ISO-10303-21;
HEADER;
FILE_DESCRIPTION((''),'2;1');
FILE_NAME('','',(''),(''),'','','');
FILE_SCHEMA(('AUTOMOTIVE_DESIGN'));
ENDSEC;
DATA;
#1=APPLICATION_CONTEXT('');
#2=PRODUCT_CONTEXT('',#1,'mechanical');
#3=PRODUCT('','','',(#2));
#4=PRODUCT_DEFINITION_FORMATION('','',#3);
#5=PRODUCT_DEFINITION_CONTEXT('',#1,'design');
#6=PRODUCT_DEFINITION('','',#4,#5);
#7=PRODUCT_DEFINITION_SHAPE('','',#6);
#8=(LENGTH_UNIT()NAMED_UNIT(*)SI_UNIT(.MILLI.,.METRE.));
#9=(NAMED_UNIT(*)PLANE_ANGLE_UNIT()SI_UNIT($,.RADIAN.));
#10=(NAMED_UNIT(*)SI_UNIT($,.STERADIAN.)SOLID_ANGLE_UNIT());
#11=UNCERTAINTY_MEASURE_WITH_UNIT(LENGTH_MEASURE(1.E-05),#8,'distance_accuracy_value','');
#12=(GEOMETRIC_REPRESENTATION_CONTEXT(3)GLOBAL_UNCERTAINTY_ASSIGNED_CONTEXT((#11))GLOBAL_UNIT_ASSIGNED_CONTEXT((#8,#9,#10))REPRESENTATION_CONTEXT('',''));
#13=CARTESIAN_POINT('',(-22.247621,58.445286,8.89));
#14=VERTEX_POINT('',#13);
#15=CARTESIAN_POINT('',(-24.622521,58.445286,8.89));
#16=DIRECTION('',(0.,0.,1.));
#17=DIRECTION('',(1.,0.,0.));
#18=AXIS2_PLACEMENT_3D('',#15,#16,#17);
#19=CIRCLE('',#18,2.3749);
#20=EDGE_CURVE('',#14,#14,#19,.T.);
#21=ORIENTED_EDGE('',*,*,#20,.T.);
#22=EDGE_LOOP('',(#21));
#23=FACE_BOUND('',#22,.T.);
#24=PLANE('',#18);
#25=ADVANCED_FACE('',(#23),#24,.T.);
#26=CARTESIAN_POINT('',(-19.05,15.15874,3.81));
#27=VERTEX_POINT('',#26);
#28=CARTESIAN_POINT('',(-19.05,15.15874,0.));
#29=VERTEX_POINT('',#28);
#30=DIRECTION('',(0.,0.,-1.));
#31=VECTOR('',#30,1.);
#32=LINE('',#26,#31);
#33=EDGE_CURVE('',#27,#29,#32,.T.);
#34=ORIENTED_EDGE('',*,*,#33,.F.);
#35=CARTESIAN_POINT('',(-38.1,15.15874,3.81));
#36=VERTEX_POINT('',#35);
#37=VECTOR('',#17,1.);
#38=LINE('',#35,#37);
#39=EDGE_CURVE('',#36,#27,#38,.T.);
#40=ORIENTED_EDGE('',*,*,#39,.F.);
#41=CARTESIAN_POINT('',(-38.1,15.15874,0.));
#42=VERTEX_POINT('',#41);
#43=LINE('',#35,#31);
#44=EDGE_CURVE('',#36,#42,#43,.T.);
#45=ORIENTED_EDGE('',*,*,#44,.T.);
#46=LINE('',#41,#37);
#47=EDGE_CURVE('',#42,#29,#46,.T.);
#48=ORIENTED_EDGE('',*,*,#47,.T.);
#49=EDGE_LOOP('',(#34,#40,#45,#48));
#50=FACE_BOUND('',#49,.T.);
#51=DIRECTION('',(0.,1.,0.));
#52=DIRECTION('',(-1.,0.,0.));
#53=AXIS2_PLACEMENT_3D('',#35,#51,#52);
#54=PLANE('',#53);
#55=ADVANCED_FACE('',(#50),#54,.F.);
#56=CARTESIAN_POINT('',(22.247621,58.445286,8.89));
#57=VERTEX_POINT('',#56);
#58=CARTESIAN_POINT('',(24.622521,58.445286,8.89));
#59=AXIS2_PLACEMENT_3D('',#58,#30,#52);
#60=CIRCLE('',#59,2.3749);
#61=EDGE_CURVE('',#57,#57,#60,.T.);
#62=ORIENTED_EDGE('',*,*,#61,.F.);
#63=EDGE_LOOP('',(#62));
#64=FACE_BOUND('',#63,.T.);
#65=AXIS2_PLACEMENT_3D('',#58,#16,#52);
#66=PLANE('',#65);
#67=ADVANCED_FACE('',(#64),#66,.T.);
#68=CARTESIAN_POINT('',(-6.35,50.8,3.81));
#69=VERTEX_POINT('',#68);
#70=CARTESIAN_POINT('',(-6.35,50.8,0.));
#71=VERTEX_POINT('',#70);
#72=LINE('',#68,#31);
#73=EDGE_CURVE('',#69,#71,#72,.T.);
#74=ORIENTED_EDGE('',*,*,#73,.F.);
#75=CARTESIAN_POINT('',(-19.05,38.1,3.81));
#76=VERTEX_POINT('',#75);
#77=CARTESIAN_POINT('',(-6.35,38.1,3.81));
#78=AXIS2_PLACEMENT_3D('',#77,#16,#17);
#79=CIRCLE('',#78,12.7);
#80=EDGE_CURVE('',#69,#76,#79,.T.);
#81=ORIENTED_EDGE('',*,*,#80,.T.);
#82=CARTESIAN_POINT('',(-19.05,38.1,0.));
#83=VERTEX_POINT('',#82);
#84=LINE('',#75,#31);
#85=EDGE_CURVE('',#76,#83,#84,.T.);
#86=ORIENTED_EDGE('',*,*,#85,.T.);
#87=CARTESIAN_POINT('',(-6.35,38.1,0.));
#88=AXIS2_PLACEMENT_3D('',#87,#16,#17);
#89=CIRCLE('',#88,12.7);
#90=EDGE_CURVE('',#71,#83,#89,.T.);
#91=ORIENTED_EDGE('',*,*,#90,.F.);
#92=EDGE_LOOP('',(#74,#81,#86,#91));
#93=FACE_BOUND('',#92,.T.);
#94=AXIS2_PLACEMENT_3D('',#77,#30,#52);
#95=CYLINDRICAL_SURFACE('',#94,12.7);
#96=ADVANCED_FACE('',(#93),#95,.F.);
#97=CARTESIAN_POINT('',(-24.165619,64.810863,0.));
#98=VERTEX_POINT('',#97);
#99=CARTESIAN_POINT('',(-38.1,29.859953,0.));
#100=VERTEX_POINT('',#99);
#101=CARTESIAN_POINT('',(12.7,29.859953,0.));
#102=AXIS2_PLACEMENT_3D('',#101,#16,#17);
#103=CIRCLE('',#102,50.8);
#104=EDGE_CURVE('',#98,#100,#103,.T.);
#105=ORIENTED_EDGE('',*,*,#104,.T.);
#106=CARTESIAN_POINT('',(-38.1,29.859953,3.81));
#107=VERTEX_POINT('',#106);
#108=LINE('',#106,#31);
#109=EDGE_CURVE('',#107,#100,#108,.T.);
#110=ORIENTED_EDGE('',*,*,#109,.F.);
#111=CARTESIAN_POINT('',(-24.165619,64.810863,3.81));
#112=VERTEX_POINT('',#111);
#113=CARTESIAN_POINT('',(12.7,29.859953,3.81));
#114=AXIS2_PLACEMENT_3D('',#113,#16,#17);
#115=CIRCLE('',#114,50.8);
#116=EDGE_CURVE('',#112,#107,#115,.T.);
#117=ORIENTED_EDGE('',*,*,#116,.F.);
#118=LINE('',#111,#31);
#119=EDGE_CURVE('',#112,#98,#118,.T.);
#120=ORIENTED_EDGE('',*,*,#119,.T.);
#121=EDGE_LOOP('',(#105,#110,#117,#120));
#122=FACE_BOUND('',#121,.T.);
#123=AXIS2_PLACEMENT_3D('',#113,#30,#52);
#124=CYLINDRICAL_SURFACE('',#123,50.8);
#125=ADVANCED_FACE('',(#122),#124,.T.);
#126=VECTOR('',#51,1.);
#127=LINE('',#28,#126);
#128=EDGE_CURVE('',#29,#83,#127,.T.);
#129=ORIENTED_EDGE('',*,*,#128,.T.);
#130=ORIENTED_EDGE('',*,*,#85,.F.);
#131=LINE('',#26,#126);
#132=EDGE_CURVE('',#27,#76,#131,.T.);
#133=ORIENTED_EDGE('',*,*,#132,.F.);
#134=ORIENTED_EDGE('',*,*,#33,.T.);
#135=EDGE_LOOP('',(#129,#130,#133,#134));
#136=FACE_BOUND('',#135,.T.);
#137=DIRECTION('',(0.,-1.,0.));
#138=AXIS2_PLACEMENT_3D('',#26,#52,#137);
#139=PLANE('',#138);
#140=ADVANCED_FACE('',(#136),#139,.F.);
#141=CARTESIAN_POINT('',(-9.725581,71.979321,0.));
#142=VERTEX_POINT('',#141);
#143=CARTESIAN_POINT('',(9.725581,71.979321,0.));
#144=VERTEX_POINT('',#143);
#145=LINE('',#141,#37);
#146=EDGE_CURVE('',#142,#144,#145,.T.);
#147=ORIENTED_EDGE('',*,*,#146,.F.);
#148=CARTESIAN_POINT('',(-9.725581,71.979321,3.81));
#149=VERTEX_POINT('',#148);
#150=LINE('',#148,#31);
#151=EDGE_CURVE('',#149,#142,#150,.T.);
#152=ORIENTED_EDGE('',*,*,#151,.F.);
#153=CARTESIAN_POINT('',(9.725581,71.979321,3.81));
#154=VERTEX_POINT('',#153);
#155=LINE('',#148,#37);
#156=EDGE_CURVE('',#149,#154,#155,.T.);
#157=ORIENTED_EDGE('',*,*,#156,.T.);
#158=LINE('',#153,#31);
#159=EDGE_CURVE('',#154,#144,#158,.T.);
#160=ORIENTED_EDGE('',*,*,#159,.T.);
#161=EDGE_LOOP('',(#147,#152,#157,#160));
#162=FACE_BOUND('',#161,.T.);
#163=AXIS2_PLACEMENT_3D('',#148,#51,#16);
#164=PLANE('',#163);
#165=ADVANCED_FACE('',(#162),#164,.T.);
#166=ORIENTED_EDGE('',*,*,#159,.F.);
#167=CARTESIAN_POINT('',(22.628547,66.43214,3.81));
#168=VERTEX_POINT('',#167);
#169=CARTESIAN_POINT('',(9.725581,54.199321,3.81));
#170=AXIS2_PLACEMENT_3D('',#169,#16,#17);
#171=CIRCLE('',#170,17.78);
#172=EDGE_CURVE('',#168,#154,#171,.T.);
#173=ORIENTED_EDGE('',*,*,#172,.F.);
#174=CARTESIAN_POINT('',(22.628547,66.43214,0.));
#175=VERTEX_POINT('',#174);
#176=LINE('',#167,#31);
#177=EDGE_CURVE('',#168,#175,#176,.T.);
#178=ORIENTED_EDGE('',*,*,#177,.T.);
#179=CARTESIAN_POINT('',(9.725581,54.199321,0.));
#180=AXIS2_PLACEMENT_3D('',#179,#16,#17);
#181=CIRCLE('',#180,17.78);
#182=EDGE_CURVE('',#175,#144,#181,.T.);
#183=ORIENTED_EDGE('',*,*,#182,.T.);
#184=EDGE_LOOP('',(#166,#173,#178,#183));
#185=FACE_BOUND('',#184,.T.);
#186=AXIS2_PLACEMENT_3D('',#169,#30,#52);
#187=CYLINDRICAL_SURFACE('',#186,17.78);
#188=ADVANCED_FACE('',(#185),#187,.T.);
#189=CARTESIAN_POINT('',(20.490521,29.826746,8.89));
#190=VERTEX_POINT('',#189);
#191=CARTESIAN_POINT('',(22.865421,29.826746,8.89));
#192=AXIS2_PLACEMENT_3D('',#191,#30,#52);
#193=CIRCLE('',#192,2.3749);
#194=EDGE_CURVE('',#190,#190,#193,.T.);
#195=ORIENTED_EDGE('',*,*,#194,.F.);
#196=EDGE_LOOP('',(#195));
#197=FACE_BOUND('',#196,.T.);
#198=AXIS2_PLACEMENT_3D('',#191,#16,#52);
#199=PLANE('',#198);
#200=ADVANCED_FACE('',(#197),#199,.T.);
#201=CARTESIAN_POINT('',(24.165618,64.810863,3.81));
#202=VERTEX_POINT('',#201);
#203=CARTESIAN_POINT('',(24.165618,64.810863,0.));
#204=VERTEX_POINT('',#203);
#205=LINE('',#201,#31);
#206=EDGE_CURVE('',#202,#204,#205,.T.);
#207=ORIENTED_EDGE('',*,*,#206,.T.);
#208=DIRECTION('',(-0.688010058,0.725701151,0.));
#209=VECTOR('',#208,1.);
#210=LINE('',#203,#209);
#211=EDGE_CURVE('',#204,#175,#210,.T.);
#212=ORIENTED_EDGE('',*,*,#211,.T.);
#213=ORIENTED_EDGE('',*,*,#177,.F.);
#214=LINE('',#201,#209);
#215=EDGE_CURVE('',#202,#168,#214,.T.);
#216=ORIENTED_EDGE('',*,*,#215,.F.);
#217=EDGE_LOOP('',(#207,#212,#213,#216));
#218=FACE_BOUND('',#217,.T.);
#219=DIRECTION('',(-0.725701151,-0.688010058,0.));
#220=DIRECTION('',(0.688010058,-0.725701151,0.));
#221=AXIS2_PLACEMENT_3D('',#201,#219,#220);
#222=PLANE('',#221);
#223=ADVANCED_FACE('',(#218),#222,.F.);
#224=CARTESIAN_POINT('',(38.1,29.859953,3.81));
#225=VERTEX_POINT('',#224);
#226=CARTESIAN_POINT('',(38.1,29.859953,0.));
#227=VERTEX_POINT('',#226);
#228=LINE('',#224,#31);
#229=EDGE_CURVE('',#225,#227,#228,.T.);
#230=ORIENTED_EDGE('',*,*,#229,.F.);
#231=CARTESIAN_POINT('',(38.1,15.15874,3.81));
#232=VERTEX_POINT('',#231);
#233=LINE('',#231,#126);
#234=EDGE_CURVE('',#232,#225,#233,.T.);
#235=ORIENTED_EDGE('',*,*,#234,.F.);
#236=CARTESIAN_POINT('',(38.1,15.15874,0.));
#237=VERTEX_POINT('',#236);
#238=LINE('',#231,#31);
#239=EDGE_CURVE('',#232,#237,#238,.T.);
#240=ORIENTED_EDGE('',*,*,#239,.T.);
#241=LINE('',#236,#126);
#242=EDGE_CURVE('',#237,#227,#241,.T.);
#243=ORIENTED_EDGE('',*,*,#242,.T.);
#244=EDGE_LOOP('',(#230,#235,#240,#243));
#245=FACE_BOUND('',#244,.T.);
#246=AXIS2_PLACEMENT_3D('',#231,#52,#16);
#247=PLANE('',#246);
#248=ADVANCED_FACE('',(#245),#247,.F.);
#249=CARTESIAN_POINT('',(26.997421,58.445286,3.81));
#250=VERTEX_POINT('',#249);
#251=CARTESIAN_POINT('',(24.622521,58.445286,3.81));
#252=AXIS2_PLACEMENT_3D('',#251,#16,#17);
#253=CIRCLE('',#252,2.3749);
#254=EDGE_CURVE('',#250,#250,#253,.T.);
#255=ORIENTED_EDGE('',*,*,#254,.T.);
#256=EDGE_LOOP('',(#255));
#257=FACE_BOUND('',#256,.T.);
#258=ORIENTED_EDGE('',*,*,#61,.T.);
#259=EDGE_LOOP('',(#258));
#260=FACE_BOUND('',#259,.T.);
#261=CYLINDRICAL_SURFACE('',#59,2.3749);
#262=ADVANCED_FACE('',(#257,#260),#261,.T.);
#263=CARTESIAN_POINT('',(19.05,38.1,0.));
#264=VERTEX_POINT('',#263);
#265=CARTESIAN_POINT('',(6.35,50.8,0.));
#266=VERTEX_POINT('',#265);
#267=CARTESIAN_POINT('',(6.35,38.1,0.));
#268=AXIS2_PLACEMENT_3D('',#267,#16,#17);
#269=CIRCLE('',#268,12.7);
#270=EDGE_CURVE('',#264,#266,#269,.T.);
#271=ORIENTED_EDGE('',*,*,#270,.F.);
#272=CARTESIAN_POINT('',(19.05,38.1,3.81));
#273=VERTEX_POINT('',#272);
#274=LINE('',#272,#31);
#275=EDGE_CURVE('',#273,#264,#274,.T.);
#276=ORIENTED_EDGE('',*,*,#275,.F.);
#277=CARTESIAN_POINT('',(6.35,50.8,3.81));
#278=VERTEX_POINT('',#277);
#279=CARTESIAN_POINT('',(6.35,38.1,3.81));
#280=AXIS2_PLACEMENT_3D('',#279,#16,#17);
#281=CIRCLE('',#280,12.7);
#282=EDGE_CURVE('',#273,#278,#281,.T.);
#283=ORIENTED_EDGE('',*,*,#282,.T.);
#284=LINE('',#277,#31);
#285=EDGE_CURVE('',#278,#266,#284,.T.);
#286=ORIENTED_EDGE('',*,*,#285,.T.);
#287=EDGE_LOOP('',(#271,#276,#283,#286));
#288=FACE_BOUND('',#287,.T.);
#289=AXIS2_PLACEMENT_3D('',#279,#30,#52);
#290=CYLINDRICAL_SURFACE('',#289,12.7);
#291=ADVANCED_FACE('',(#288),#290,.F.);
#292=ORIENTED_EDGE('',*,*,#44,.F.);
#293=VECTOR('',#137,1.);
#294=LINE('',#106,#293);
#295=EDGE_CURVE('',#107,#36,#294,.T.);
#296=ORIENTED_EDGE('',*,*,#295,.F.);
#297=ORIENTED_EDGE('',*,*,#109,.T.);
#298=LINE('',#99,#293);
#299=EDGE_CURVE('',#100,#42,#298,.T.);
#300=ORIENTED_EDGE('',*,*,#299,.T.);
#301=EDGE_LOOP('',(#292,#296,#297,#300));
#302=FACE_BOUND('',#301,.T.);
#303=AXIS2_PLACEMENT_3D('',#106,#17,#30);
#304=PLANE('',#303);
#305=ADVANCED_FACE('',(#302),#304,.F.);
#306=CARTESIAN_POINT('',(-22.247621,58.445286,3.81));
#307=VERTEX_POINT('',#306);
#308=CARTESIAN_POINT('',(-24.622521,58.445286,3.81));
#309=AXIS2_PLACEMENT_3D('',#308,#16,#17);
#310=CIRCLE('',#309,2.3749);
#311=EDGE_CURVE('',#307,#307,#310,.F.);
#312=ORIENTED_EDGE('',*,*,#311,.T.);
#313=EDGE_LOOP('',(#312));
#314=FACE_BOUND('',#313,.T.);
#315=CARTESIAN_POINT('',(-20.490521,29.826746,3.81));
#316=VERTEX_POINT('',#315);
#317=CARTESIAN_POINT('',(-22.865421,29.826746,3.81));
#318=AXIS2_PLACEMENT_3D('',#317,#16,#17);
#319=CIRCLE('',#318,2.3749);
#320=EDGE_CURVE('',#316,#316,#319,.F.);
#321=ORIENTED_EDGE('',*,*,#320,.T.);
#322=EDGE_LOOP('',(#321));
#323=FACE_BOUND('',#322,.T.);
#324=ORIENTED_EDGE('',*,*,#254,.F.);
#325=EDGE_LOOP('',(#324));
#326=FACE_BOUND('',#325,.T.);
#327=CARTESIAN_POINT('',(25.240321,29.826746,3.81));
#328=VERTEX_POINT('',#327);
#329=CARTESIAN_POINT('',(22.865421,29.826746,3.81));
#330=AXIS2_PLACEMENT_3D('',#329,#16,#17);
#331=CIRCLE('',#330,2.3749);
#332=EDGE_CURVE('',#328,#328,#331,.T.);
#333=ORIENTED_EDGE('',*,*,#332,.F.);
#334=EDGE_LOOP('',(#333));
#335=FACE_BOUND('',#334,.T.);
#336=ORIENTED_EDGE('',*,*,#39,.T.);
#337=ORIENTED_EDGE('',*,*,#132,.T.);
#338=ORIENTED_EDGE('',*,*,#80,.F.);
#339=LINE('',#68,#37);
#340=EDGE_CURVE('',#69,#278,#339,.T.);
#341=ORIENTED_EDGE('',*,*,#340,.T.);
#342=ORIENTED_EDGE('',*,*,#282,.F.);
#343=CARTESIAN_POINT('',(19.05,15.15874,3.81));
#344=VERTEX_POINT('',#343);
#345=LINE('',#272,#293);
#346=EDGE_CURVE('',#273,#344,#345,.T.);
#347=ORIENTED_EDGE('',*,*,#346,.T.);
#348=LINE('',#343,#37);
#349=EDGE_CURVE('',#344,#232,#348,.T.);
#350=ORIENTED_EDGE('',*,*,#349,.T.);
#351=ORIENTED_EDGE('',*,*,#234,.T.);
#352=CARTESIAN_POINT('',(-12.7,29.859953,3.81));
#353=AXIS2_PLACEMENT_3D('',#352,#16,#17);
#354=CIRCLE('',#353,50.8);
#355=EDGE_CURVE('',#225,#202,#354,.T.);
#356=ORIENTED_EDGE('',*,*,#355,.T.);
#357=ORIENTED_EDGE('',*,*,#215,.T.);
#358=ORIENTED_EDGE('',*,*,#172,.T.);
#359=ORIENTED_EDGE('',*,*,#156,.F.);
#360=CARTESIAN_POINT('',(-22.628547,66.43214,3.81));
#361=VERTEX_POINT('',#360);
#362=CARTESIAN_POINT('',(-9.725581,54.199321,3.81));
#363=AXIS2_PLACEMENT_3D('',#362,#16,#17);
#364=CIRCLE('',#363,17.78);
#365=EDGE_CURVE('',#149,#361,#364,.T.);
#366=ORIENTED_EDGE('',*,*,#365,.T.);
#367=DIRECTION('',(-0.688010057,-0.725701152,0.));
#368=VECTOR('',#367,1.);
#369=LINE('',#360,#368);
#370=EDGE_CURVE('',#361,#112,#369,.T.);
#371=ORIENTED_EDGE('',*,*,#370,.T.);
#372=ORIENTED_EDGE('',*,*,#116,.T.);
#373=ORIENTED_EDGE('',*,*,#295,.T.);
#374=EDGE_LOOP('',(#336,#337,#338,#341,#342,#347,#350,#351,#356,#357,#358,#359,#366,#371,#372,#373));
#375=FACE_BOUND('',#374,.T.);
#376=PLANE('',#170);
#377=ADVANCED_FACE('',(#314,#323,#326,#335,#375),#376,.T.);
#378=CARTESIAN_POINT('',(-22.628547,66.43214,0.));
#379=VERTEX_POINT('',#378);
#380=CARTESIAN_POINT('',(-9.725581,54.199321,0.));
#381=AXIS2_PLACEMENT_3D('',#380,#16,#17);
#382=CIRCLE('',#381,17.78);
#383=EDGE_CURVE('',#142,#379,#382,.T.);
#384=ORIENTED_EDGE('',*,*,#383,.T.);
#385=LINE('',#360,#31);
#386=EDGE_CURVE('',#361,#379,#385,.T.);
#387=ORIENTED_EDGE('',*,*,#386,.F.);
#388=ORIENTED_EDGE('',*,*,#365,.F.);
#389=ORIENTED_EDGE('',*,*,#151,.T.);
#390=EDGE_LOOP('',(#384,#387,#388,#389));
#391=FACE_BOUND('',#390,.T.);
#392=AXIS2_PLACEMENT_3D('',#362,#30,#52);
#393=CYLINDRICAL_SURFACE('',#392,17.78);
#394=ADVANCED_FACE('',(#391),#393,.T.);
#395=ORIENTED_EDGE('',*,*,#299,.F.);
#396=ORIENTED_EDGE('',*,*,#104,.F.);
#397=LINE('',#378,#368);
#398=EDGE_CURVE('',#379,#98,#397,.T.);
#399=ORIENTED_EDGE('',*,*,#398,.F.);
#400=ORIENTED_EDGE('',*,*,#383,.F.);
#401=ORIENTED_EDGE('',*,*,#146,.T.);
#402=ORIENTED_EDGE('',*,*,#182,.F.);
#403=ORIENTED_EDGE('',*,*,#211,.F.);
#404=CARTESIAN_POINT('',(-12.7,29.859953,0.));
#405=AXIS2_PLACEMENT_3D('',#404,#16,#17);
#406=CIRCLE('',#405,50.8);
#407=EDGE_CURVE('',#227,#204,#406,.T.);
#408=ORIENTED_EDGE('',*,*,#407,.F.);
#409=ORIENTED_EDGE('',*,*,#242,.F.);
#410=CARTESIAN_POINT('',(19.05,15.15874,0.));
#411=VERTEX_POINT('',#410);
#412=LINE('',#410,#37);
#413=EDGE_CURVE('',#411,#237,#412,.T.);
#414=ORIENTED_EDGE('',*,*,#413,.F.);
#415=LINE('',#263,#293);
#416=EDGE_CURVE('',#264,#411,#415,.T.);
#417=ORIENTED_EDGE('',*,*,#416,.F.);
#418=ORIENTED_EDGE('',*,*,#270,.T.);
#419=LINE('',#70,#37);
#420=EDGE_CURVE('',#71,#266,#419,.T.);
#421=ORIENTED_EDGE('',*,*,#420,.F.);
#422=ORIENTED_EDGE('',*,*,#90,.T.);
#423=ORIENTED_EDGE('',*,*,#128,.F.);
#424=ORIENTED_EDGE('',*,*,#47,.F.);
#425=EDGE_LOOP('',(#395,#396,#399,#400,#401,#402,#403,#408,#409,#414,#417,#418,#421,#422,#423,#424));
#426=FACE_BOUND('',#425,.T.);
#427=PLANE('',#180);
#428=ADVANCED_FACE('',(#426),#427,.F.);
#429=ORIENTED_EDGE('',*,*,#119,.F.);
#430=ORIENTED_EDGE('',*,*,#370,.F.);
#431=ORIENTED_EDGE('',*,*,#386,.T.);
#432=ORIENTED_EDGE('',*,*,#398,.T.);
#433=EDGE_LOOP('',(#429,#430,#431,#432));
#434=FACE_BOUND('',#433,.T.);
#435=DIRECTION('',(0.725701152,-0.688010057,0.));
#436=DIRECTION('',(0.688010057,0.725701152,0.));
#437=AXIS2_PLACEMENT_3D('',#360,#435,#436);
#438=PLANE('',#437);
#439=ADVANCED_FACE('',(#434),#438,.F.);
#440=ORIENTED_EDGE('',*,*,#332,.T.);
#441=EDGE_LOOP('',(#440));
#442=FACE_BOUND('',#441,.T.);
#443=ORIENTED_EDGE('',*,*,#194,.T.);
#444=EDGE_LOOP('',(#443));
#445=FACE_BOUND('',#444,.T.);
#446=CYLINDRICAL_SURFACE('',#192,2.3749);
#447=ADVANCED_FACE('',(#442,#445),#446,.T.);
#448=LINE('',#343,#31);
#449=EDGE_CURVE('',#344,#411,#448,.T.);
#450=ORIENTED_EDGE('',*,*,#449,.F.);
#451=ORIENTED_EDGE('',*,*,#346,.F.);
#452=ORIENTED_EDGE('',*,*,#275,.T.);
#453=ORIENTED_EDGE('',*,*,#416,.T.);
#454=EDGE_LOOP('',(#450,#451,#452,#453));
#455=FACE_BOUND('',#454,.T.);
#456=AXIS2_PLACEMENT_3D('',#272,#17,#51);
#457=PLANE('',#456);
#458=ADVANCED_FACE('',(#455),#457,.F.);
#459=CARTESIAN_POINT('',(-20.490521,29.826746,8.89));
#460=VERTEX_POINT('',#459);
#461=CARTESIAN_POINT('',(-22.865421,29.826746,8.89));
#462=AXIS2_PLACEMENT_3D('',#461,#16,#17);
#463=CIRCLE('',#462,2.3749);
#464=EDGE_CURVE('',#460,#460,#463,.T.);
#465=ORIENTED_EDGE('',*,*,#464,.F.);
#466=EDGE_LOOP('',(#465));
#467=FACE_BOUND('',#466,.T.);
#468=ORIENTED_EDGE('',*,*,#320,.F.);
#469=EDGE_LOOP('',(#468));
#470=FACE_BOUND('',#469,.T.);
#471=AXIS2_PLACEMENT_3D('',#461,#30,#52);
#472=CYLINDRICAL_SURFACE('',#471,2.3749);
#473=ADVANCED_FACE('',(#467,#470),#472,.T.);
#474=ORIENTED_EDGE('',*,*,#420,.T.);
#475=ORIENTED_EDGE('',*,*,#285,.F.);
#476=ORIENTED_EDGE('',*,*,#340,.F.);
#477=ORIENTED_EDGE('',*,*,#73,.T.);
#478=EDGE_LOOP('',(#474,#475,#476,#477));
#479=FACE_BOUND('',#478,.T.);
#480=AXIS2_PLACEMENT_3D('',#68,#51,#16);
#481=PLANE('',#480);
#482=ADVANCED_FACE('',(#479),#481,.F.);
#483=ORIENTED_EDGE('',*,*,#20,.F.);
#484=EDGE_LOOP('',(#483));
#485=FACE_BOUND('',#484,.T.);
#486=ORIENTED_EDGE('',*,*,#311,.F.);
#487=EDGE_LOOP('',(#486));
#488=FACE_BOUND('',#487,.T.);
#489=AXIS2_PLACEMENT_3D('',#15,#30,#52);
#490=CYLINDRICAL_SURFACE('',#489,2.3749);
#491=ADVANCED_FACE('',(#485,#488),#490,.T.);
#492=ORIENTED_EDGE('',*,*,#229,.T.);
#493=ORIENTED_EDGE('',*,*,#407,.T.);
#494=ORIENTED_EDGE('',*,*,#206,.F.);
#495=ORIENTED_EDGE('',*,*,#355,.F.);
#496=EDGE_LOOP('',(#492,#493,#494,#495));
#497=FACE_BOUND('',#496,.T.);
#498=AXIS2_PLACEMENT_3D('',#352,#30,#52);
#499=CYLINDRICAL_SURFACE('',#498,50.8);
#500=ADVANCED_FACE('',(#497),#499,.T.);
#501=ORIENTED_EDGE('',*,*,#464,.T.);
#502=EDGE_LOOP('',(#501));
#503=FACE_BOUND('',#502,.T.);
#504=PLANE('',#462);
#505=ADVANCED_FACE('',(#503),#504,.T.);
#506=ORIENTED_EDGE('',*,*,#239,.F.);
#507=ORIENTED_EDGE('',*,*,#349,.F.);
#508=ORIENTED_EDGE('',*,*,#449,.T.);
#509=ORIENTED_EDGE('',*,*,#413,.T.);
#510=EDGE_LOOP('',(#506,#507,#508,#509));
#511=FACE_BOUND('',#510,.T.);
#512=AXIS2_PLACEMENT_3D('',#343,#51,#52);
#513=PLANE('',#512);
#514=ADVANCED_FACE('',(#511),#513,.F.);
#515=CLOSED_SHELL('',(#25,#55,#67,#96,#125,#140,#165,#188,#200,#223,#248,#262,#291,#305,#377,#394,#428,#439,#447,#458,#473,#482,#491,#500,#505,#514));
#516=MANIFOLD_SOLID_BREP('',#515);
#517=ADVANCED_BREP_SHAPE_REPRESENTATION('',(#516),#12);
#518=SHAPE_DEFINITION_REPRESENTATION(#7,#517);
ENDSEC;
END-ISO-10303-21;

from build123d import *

# Parameters (mm, degrees)
BOSS_EXTRUDE1_DEPTH = 3.81
SKETCH3_R           = 2.3749
BOSS_EXTRUDE2_DEPTH = 8.89


with BuildPart() as part:
    # Sketch1 → Boss-Extrude1 (new body)
    with BuildSketch(Plane(origin=(0, 0, 0), x_dir=(-1, 0, 0), z_dir=(0, 0, 1))):
        with BuildLine():
            Line((22.628547269, -66.432139719), (24.16561852, -64.81086345))
            ThreePointArc((24.16561852, -64.81086345), (34.487993287, -48.673067402), (38.1, -29.859952573))
            Line((38.1, -29.859952573), (38.1, -15.158740079))
            Line((38.1, -15.158740079), (19.05, -15.158740079))
            Line((19.05, -15.158740079), (19.05, -38.1))
            ThreePointArc((19.05, -38.1), (15.330256121, -47.080256121), (6.35, -50.8))
            Line((6.35, -50.8), (-6.35, -50.8))
            ThreePointArc((-6.35, -50.8), (-15.330256121, -47.080256121), (-19.05, -38.1))
            Line((-19.05, -38.1), (-19.05, -15.158740079))
            Line((-19.05, -15.158740079), (-38.1, -15.158740079))
            Line((-38.1, -15.158740079), (-38.1, -29.859952521))
            ThreePointArc((-38.1, -29.859952521), (-34.48799327, -48.673067394), (-24.165618457, -64.810863465))
            Line((-24.165618457, -64.810863465), (-22.628547192, -66.432139742))
            ThreePointArc((-22.628547192, -66.432139742), (-16.748004858, -70.533761809), (-9.725580732, -71.979320912))
            Line((-9.725580732, -71.979320912), (9.725580787, -71.979320912))
            ThreePointArc((9.725580787, -71.979320912), (16.748004927, -70.533761802), (22.628547269, -66.432139719))
        make_face()
    extrude(amount=BOSS_EXTRUDE1_DEPTH)

    # Sketch3 → Boss-Extrude2 (add)
    with BuildSketch(Plane.XY):
        with Locations((-24.622521445, 58.445286133)):
            Circle(SKETCH3_R)
        with Locations((-22.865421031, 29.826745675)):
            Circle(SKETCH3_R)
    boss_extrude2 = extrude(amount=BOSS_EXTRUDE2_DEPTH)

    # Mirror1: Boss-Extrude2 across plane
    add(boss_extrude2.mirror(Plane(origin=(0, 0, 0), x_dir=(0, 0, 1), z_dir=(1, 0, 0))))


solid = part.part
